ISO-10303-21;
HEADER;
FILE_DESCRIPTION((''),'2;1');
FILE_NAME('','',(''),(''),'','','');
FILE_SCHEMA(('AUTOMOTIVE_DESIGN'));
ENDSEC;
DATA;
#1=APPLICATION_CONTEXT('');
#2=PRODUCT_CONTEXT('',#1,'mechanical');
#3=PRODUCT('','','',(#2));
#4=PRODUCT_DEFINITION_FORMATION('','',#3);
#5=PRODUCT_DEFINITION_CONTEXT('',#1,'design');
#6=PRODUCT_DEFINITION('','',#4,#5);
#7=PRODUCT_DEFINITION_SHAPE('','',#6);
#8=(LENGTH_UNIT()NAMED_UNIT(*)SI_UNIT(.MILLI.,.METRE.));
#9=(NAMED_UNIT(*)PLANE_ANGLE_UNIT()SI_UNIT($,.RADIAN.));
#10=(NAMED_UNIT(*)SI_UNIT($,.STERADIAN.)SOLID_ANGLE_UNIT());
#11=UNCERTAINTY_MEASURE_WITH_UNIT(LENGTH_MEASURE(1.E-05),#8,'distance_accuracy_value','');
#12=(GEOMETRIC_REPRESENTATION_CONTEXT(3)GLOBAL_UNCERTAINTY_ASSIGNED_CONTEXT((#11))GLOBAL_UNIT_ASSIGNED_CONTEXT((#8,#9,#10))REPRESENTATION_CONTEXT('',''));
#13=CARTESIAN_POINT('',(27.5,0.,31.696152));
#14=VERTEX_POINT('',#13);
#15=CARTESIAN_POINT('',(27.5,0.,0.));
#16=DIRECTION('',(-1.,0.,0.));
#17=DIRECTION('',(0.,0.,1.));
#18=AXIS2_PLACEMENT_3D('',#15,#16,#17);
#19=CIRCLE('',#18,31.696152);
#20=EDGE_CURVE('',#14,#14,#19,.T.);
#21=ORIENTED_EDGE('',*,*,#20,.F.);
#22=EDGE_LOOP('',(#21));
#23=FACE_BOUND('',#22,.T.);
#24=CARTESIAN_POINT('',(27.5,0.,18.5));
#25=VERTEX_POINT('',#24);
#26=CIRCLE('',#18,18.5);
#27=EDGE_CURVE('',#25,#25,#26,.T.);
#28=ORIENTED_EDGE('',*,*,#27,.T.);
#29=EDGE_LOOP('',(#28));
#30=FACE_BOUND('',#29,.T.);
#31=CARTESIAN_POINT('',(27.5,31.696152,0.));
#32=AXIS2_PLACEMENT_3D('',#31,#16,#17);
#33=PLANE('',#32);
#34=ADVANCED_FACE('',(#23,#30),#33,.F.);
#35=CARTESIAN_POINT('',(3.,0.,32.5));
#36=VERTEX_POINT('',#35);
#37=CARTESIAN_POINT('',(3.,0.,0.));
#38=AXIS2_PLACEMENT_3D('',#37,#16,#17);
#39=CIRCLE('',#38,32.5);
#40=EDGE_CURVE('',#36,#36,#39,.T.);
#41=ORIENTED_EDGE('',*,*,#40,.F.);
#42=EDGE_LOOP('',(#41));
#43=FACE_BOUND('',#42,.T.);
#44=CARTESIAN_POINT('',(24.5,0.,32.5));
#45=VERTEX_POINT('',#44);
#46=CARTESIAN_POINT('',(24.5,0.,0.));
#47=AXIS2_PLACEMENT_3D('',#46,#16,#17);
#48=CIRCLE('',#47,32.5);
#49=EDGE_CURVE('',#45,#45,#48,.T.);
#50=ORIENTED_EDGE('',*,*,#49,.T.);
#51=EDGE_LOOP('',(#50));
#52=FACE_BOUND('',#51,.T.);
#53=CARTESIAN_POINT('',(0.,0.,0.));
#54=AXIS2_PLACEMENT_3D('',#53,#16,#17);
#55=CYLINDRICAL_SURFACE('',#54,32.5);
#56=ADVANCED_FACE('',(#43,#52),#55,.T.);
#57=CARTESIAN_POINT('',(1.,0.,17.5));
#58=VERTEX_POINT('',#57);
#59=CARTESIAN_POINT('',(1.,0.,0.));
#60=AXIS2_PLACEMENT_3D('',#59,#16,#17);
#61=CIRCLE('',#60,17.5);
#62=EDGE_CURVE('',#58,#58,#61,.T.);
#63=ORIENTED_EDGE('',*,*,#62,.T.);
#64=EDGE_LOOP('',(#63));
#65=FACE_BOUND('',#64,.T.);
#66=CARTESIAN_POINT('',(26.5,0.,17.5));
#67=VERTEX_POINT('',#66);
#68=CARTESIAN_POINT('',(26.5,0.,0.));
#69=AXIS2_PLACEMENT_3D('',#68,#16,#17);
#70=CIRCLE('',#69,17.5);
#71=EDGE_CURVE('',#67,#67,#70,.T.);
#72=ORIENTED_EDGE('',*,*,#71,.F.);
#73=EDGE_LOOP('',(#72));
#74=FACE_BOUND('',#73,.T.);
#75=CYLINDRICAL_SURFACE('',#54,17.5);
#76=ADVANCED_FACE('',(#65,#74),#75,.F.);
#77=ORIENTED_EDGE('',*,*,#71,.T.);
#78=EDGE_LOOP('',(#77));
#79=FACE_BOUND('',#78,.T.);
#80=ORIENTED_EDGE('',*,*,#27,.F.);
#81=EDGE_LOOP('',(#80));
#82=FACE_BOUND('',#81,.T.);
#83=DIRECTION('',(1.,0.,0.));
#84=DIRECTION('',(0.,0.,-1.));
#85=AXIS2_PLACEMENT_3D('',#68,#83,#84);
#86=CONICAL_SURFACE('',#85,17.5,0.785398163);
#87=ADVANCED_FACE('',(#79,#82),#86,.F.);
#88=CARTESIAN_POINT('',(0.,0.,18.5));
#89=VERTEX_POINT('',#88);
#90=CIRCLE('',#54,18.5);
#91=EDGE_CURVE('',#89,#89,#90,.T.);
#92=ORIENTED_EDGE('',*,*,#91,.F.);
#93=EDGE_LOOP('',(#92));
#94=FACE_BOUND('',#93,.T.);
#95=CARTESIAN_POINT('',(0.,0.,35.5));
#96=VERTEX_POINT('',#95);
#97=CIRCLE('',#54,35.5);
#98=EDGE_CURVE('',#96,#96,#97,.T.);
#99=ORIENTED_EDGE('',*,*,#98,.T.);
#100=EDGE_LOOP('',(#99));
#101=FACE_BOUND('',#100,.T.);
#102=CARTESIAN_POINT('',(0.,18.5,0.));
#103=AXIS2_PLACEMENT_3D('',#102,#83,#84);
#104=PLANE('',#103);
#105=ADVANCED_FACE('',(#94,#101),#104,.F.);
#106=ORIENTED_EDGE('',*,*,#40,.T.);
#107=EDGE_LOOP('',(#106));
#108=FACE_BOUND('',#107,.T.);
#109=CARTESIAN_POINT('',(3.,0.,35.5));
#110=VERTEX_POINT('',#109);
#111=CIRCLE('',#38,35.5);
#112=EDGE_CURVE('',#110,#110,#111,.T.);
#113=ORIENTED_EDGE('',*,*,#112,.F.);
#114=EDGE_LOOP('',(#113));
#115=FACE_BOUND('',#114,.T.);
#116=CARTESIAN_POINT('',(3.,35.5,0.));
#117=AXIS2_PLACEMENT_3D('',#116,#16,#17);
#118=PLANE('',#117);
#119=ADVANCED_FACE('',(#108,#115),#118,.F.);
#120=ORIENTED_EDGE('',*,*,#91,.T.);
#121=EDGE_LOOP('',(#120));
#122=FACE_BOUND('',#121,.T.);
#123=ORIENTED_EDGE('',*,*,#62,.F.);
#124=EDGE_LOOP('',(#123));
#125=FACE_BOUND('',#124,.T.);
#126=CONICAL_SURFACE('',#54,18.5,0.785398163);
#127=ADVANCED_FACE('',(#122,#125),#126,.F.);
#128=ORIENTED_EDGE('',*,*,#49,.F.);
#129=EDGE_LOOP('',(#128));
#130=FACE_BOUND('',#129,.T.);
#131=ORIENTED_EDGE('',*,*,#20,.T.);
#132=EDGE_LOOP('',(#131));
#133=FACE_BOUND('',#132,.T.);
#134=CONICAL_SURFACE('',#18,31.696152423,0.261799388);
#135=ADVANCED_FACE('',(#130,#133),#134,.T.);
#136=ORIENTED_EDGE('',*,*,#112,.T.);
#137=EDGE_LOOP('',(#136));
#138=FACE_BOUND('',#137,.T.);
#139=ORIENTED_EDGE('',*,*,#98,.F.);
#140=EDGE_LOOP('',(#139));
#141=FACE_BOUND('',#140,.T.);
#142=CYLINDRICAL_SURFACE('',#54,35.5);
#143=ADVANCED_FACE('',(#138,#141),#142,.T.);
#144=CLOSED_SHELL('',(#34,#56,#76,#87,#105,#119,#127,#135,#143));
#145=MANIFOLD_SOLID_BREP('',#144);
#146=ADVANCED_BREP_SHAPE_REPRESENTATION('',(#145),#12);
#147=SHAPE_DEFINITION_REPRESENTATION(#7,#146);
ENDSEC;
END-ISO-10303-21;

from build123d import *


with BuildPart() as part:
    # Эскиз1 → Повернуть1 (revolve)
    with BuildSketch(Plane.XY, mode=Mode.PRIVATE) as revolve_1_sk:
        Polygon((0, 18.5), (0, 35.5), (3, 35.5), (3, 32.5), (24.5, 32.5), (27.5, 31.696152423), (27.5, 18.5), (26.5, 17.5), (1, 17.5), align=None)
    revolve(revolve_1_sk.sketch.rotate(Axis((0, 0, 0), (1, 0, 0)), 90), axis=Axis((0, 0, 0), (1, 0, 0)))


solid = part.part
